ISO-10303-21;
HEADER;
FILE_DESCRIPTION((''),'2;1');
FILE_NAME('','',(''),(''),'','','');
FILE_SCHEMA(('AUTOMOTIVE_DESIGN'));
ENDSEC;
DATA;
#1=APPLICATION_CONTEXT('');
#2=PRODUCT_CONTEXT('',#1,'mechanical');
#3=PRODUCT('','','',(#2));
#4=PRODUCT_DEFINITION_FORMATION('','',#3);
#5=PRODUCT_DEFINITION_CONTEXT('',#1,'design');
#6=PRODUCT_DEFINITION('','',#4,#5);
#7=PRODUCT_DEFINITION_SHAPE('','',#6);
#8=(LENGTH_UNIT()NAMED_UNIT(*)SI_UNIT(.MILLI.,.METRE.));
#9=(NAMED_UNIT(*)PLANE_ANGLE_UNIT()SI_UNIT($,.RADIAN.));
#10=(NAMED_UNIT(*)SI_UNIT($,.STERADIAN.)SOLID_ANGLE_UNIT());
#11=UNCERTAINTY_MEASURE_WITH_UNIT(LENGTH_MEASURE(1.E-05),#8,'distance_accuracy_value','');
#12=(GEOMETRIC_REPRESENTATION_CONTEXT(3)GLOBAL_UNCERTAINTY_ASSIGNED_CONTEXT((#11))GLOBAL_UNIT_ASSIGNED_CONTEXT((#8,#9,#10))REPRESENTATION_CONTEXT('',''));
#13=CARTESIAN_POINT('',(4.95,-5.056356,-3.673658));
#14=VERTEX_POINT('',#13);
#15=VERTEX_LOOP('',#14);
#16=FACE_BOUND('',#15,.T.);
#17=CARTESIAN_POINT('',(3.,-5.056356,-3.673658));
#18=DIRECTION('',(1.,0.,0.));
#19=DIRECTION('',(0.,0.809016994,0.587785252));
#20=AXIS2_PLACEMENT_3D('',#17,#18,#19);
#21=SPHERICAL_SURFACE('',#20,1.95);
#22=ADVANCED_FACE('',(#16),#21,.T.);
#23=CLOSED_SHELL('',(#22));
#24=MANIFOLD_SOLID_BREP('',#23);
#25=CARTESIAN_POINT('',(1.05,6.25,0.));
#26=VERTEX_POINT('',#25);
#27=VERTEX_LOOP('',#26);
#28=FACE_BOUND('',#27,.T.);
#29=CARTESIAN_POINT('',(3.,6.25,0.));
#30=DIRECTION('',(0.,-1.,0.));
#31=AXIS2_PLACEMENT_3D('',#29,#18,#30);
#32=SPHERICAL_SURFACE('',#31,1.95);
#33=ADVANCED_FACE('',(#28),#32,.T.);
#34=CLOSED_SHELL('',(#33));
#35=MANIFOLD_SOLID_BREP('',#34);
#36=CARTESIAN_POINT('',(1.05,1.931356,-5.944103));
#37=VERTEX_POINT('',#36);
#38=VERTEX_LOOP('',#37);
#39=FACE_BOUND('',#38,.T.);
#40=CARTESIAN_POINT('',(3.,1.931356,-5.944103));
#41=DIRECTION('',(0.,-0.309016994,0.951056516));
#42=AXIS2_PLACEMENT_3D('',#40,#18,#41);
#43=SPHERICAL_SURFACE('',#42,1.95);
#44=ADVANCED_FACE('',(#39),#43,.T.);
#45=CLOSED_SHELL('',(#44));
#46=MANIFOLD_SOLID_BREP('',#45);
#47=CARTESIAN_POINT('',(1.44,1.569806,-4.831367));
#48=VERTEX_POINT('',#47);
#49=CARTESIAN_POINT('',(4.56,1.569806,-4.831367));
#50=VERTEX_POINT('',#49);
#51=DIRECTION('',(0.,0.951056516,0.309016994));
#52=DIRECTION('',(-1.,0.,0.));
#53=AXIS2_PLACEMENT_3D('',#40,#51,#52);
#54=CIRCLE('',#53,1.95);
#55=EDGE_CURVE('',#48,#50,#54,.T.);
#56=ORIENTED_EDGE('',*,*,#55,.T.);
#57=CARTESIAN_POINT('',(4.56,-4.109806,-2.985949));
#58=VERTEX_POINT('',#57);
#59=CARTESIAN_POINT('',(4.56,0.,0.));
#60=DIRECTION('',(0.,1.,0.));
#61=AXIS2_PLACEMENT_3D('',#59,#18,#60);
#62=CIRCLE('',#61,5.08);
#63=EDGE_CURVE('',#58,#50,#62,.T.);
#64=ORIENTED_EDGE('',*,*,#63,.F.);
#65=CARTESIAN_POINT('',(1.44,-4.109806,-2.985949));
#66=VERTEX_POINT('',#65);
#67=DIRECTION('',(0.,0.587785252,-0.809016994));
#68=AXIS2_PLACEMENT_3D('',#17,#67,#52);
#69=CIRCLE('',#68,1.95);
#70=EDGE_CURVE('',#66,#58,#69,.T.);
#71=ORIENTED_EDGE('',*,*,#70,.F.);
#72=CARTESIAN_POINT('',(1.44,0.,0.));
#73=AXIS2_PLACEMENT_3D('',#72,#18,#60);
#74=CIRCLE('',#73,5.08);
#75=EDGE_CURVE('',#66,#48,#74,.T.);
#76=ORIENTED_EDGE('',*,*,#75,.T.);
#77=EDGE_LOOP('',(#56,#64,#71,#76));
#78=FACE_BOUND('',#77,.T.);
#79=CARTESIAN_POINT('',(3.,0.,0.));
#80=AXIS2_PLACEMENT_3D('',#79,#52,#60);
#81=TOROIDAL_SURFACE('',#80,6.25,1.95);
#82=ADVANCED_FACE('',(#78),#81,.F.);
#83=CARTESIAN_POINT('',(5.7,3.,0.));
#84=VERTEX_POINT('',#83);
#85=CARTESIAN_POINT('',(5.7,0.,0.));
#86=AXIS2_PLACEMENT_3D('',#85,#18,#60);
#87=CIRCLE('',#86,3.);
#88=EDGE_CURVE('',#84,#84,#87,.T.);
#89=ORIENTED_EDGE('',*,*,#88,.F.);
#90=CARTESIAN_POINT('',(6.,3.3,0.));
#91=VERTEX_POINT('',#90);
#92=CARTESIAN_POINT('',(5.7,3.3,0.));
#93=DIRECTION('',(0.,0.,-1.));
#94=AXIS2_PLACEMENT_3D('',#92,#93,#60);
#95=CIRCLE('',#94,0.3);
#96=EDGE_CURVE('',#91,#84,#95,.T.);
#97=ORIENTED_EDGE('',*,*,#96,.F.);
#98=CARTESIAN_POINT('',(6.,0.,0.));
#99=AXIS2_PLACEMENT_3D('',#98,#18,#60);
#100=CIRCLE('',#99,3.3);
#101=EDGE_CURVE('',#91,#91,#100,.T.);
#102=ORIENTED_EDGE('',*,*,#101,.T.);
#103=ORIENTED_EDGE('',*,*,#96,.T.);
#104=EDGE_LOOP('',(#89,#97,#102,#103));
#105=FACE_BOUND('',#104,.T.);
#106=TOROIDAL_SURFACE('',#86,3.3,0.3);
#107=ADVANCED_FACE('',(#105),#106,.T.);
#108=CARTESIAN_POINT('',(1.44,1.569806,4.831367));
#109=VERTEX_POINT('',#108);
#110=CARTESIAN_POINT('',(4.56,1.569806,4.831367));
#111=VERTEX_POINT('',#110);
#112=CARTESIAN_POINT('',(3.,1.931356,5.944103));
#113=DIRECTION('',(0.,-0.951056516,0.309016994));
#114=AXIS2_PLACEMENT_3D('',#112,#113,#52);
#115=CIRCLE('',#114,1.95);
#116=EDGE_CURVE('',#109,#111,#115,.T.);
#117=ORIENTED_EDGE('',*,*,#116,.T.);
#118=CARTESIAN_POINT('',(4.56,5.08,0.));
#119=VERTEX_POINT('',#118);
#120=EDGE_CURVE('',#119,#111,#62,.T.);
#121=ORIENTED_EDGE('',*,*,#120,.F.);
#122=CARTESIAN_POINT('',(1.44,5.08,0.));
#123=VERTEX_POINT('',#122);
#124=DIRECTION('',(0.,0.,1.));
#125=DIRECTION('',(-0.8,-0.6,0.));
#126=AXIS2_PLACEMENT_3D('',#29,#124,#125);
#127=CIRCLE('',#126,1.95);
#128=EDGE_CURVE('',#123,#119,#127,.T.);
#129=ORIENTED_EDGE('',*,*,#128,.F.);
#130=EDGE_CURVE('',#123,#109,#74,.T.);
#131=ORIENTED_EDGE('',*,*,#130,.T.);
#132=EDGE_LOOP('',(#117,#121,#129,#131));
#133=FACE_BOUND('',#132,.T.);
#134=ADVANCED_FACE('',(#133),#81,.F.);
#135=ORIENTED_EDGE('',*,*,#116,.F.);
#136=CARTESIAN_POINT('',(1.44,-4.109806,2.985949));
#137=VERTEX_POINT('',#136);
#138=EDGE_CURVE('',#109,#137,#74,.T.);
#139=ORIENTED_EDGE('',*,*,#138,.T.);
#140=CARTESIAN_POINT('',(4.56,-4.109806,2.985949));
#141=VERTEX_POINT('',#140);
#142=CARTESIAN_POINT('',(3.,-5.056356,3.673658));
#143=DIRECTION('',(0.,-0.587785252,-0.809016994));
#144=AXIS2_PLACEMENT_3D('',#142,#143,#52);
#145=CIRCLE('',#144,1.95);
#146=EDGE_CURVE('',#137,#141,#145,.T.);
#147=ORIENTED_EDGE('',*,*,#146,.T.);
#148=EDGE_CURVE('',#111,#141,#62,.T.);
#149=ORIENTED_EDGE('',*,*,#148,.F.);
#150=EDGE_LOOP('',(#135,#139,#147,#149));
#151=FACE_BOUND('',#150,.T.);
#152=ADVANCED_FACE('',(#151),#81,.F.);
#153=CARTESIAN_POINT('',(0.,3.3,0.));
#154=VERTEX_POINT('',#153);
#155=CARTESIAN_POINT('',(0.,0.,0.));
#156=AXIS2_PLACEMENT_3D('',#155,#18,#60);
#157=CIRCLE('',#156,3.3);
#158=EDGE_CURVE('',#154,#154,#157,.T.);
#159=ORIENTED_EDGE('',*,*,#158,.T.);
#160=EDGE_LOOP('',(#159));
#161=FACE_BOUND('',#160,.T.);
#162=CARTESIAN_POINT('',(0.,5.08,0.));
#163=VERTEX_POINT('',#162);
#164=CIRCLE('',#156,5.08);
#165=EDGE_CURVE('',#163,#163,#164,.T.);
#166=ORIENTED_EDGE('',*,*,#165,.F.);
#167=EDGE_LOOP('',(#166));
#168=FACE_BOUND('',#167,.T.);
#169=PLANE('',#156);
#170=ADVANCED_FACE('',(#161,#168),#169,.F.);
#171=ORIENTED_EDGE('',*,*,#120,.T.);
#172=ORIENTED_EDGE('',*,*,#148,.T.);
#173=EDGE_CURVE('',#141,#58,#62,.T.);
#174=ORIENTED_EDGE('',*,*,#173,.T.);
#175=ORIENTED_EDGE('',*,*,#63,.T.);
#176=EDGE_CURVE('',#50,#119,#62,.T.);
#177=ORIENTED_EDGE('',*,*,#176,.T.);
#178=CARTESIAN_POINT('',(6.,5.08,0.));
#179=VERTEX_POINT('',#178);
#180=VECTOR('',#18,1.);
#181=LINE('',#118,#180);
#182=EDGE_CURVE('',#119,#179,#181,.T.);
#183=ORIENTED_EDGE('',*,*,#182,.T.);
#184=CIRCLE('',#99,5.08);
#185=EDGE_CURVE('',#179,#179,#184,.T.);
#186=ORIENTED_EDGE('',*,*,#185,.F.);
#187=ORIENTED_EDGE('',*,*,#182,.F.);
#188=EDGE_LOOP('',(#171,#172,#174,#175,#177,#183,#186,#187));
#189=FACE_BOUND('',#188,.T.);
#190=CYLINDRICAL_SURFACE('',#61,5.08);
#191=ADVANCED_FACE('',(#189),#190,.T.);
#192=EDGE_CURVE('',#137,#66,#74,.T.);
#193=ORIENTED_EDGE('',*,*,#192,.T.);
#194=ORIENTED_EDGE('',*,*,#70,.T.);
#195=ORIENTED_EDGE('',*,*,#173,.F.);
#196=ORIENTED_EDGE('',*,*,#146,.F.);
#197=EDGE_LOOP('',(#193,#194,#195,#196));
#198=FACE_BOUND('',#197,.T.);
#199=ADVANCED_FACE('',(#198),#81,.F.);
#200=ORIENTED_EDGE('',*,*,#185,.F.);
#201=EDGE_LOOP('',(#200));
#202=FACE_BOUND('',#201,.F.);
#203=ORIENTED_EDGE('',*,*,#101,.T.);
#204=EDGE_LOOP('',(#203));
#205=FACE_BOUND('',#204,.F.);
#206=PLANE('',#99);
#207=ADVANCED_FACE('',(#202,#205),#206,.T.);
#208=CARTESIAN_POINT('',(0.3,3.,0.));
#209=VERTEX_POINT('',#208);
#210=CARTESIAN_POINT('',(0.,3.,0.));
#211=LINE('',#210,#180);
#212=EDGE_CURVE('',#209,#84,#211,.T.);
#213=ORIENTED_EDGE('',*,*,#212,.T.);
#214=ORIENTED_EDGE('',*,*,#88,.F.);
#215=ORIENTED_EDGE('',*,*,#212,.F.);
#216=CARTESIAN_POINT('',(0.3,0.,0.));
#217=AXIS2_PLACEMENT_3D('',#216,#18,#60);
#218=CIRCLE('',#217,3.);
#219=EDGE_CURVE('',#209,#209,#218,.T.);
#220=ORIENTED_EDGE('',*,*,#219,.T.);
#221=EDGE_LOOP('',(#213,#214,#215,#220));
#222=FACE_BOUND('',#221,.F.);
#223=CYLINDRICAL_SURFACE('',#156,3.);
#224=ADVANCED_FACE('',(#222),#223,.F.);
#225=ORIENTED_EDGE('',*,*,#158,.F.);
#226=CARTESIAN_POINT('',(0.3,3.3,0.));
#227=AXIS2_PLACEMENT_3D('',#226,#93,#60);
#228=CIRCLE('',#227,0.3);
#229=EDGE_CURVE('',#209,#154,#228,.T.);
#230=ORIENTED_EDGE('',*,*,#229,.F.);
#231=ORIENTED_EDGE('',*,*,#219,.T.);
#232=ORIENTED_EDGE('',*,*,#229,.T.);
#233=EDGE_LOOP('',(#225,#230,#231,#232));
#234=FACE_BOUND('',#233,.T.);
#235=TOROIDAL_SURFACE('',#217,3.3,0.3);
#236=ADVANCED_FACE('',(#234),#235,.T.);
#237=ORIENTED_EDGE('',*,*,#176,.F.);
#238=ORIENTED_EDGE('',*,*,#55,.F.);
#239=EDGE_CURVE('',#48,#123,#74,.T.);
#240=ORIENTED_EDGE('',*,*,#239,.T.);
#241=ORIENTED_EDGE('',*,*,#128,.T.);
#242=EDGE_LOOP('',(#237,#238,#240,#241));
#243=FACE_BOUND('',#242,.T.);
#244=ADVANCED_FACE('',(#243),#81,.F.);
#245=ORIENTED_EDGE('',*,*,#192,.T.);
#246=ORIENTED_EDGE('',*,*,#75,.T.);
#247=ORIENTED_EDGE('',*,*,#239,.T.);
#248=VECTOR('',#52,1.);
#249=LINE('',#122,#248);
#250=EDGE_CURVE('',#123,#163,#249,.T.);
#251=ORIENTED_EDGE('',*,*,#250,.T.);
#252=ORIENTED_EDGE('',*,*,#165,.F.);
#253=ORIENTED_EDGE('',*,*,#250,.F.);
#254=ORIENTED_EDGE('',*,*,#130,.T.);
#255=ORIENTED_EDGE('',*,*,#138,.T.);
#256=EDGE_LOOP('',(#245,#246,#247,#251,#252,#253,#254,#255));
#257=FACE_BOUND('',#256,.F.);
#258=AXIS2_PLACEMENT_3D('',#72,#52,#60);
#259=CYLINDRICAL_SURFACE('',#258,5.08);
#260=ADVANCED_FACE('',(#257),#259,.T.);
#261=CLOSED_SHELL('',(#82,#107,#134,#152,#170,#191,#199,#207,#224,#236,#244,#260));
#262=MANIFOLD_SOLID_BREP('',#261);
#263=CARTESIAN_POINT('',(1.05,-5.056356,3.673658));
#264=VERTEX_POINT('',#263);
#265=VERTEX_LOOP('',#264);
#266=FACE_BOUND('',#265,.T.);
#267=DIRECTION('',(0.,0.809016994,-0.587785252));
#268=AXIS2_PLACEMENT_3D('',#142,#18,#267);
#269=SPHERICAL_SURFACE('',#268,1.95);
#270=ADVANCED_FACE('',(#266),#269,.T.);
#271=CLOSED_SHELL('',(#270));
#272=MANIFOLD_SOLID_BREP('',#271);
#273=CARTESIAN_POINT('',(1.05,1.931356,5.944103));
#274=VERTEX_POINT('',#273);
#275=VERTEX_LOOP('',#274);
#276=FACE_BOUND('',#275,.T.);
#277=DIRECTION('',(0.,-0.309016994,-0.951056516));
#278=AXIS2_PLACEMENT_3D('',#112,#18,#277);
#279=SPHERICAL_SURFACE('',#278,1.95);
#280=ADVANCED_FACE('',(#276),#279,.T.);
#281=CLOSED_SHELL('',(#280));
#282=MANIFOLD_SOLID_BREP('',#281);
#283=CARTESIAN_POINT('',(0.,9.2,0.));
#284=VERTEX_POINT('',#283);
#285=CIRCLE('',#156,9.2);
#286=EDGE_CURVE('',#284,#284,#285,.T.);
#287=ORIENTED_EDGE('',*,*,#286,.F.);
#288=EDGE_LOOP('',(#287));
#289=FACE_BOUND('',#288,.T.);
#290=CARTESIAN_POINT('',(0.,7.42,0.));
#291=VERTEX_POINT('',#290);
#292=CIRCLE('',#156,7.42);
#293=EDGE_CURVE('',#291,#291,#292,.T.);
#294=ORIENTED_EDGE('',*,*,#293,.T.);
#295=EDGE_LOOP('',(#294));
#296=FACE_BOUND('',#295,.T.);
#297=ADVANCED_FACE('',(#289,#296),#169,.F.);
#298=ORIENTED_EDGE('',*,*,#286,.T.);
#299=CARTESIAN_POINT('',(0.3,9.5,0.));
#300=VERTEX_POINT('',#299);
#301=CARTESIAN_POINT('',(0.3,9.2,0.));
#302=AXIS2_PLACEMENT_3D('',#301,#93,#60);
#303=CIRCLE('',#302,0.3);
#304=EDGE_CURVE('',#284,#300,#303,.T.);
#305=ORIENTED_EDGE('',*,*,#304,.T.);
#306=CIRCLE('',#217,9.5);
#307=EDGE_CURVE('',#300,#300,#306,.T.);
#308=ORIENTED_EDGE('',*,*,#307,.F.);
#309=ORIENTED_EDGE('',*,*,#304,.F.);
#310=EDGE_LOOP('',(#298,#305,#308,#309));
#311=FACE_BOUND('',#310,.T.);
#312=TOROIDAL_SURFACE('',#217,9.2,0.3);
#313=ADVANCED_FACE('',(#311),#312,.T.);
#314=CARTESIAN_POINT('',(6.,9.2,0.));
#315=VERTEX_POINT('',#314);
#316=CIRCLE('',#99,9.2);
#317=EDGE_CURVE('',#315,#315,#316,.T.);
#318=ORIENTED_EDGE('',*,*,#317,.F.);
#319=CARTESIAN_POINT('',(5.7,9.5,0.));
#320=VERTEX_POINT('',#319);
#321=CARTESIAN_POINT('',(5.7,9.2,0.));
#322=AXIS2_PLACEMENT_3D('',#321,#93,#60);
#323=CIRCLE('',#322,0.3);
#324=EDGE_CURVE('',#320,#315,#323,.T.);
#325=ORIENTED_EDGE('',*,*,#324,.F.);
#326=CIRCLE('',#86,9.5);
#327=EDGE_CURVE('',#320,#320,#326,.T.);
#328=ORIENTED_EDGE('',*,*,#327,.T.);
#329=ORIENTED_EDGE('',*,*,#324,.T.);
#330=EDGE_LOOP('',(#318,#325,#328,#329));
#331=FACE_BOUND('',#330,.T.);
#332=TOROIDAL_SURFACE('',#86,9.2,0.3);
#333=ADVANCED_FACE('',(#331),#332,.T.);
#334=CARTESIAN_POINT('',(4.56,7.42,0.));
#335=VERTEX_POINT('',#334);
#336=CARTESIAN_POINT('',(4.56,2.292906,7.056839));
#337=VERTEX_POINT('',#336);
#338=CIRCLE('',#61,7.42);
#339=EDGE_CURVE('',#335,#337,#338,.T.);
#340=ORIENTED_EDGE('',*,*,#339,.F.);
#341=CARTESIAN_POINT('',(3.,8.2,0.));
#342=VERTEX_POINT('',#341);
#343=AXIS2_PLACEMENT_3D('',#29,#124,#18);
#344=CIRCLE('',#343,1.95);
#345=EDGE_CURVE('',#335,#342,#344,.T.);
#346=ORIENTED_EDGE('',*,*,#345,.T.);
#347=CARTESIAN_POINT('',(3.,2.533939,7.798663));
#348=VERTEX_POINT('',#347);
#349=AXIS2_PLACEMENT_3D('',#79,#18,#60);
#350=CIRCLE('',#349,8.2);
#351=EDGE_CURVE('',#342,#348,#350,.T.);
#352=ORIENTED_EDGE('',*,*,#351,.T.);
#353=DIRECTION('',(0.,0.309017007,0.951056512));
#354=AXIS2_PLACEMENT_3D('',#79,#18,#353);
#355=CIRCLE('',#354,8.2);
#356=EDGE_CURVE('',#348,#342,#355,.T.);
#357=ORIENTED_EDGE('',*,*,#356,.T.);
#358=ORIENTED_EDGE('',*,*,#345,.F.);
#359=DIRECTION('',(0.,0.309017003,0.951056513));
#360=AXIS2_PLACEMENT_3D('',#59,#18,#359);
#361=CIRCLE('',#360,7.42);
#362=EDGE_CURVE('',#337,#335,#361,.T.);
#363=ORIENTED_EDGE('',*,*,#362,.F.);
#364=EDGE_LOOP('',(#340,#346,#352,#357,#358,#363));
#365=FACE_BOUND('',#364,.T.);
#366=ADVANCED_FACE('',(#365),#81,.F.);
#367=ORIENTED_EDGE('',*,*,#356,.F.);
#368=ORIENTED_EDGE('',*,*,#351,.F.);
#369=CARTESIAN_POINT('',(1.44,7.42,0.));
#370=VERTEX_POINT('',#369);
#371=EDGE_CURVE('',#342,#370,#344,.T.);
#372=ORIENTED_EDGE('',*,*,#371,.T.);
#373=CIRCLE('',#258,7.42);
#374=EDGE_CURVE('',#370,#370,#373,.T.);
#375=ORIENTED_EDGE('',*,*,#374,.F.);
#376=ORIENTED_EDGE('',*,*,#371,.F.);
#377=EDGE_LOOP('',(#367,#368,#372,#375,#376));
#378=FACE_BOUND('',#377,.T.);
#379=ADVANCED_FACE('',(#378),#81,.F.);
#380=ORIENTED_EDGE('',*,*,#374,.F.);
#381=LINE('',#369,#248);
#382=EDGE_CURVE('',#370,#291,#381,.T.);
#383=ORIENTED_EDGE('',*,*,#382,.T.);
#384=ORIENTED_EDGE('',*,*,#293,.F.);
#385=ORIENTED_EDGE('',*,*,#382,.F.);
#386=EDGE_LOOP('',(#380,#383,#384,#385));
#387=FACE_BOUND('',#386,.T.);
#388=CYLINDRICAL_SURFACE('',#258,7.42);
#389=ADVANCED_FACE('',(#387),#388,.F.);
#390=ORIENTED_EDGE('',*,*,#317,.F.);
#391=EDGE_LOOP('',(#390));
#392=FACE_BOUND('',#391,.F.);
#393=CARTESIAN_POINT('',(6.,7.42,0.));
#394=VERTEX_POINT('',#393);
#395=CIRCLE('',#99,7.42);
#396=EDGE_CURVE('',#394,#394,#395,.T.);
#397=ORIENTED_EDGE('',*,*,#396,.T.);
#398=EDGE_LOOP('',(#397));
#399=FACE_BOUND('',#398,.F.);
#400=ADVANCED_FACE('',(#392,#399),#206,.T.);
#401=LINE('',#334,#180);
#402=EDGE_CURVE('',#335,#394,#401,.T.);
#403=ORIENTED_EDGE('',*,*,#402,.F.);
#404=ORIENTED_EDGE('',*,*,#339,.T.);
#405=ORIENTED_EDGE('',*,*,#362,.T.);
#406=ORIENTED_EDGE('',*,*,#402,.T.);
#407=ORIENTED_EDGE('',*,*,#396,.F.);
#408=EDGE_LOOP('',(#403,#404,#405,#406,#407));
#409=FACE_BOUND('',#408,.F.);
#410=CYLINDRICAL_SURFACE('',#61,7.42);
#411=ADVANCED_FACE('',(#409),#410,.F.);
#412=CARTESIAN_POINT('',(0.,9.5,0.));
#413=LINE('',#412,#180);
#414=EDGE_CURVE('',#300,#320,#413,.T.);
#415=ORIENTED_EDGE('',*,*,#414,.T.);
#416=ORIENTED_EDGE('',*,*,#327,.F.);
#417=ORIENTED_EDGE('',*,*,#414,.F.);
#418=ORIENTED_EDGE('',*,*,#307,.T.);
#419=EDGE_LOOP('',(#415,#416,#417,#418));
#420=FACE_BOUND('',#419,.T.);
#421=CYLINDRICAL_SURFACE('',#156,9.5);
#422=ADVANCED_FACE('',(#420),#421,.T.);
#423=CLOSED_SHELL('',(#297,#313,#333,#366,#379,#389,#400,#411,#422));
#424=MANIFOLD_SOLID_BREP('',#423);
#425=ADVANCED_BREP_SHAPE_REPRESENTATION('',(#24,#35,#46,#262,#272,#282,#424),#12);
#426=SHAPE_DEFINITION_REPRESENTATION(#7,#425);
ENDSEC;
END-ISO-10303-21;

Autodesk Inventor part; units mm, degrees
ref_plane "YZ Plane" through (0, 0, 0) normal (1, 0, 0) x (0, 1, 0)
ref_plane "XZ Plane" through (0, 0, 0) normal (0, 1, 0) x (-1, 0, 0)
ref_plane "XY Plane" through (0, 0, 0) normal (0, 0, 1) x (1, 0, 0)
sketch "Skizze" plane through (0, 0, 0) normal (0, 0, 1) x (1, 0, 0)
  circle A0 centre (3, 6.25) radius 1.95
  line L0 (1.05, 6.25) -> (4.95, 6.25)
  line L1 (3, 6.25) -> (3, 4.3)
  line L2 (1.44, 5.08) -> (0, 5.08)
  line L3 (0, 3) -> (6, 3)
  line L4 (1.44, 7.42) -> (0, 7.42)
  line L5 (0, 9.5) -> (6, 9.5)
  line L6 (4.56, 5.08) -> (6, 5.08)
  line L7 (4.56, 7.42) -> (6, 7.42)
  line L8 (6, 7.42) -> (6, 9.5)
  line L9 (6, 3) -> (6, 5.08)
  line L10 (3, 6.25) -> (3, 8.2)
  line L11 (-3, 0) -> (18, 0) projected
  line L12 (0, -2.2) -> (0, 16.7) projected
  dimension "d3" = 3.9
  dimension "d8" = 6
  dimension "d10" = 10.16
  dimension "d12" = 14.84
  dimension "d13" = 19
  dimension "d14" = 12.5
  dimension "d15" = 6
revolve "Körper" add sketch "Skizze" angle 360 about axis through (-10, 0, 0) along (1, 0, 0) contours A0 L4 L12 L5 L8 L7 | L6 L9 L3 L12 L2 A0
fillet "Rundung1" radius 0.3 4 edges at (6, -3, 0) (0, -3, 0) (0, -9.5, 0) (6, -9.5, 0)
revolve "Kugel" add sketch "Skizze" angle 360 about axis through (1.05, 6.25, 0) along (1, 0, 0) contours A0 L1 L0 | L1 A0 L0
pattern_circular "Kugeln" count 5 over 360 about axis through (-10, 0, 0) along (1, 0, 0) of "Kugel"
equation "\"d3\" = DDB"
equation "\"d8\" = WD"
equation "\"d10\" = KID1"
equation "\"d12\" = KAD1"
equation "\"d13\" = BD"
equation "\"d14\" = DDA"
equation "\"d15\" = KB"
equation "\"d0\" = KRS"
equation "\"WD\" = 6"
equation "\"BD\" = 19"
equation "\"KB\" = 6"
equation "\"KRS\" = 0.3"
equation "\"KID1\" = DDA - 0.6 * DDB"
equation "\"KAD1\" = DDA + 0.6 * DDB"
equation "\"DDA\" = 0.5 * WD + 0.5 * BD"
equation "\"DDB\" = -0.3 * WD + 0.3 * BD"
equation "\"WR\" = 0.5 * WD"
equation "\"BR\" = 0.5 * BD"
equation "\"BBA\" = 0"
properties part number "DIN 625 T1 - 626 - 6 x 19 x 6" material "Stahl, weich"
